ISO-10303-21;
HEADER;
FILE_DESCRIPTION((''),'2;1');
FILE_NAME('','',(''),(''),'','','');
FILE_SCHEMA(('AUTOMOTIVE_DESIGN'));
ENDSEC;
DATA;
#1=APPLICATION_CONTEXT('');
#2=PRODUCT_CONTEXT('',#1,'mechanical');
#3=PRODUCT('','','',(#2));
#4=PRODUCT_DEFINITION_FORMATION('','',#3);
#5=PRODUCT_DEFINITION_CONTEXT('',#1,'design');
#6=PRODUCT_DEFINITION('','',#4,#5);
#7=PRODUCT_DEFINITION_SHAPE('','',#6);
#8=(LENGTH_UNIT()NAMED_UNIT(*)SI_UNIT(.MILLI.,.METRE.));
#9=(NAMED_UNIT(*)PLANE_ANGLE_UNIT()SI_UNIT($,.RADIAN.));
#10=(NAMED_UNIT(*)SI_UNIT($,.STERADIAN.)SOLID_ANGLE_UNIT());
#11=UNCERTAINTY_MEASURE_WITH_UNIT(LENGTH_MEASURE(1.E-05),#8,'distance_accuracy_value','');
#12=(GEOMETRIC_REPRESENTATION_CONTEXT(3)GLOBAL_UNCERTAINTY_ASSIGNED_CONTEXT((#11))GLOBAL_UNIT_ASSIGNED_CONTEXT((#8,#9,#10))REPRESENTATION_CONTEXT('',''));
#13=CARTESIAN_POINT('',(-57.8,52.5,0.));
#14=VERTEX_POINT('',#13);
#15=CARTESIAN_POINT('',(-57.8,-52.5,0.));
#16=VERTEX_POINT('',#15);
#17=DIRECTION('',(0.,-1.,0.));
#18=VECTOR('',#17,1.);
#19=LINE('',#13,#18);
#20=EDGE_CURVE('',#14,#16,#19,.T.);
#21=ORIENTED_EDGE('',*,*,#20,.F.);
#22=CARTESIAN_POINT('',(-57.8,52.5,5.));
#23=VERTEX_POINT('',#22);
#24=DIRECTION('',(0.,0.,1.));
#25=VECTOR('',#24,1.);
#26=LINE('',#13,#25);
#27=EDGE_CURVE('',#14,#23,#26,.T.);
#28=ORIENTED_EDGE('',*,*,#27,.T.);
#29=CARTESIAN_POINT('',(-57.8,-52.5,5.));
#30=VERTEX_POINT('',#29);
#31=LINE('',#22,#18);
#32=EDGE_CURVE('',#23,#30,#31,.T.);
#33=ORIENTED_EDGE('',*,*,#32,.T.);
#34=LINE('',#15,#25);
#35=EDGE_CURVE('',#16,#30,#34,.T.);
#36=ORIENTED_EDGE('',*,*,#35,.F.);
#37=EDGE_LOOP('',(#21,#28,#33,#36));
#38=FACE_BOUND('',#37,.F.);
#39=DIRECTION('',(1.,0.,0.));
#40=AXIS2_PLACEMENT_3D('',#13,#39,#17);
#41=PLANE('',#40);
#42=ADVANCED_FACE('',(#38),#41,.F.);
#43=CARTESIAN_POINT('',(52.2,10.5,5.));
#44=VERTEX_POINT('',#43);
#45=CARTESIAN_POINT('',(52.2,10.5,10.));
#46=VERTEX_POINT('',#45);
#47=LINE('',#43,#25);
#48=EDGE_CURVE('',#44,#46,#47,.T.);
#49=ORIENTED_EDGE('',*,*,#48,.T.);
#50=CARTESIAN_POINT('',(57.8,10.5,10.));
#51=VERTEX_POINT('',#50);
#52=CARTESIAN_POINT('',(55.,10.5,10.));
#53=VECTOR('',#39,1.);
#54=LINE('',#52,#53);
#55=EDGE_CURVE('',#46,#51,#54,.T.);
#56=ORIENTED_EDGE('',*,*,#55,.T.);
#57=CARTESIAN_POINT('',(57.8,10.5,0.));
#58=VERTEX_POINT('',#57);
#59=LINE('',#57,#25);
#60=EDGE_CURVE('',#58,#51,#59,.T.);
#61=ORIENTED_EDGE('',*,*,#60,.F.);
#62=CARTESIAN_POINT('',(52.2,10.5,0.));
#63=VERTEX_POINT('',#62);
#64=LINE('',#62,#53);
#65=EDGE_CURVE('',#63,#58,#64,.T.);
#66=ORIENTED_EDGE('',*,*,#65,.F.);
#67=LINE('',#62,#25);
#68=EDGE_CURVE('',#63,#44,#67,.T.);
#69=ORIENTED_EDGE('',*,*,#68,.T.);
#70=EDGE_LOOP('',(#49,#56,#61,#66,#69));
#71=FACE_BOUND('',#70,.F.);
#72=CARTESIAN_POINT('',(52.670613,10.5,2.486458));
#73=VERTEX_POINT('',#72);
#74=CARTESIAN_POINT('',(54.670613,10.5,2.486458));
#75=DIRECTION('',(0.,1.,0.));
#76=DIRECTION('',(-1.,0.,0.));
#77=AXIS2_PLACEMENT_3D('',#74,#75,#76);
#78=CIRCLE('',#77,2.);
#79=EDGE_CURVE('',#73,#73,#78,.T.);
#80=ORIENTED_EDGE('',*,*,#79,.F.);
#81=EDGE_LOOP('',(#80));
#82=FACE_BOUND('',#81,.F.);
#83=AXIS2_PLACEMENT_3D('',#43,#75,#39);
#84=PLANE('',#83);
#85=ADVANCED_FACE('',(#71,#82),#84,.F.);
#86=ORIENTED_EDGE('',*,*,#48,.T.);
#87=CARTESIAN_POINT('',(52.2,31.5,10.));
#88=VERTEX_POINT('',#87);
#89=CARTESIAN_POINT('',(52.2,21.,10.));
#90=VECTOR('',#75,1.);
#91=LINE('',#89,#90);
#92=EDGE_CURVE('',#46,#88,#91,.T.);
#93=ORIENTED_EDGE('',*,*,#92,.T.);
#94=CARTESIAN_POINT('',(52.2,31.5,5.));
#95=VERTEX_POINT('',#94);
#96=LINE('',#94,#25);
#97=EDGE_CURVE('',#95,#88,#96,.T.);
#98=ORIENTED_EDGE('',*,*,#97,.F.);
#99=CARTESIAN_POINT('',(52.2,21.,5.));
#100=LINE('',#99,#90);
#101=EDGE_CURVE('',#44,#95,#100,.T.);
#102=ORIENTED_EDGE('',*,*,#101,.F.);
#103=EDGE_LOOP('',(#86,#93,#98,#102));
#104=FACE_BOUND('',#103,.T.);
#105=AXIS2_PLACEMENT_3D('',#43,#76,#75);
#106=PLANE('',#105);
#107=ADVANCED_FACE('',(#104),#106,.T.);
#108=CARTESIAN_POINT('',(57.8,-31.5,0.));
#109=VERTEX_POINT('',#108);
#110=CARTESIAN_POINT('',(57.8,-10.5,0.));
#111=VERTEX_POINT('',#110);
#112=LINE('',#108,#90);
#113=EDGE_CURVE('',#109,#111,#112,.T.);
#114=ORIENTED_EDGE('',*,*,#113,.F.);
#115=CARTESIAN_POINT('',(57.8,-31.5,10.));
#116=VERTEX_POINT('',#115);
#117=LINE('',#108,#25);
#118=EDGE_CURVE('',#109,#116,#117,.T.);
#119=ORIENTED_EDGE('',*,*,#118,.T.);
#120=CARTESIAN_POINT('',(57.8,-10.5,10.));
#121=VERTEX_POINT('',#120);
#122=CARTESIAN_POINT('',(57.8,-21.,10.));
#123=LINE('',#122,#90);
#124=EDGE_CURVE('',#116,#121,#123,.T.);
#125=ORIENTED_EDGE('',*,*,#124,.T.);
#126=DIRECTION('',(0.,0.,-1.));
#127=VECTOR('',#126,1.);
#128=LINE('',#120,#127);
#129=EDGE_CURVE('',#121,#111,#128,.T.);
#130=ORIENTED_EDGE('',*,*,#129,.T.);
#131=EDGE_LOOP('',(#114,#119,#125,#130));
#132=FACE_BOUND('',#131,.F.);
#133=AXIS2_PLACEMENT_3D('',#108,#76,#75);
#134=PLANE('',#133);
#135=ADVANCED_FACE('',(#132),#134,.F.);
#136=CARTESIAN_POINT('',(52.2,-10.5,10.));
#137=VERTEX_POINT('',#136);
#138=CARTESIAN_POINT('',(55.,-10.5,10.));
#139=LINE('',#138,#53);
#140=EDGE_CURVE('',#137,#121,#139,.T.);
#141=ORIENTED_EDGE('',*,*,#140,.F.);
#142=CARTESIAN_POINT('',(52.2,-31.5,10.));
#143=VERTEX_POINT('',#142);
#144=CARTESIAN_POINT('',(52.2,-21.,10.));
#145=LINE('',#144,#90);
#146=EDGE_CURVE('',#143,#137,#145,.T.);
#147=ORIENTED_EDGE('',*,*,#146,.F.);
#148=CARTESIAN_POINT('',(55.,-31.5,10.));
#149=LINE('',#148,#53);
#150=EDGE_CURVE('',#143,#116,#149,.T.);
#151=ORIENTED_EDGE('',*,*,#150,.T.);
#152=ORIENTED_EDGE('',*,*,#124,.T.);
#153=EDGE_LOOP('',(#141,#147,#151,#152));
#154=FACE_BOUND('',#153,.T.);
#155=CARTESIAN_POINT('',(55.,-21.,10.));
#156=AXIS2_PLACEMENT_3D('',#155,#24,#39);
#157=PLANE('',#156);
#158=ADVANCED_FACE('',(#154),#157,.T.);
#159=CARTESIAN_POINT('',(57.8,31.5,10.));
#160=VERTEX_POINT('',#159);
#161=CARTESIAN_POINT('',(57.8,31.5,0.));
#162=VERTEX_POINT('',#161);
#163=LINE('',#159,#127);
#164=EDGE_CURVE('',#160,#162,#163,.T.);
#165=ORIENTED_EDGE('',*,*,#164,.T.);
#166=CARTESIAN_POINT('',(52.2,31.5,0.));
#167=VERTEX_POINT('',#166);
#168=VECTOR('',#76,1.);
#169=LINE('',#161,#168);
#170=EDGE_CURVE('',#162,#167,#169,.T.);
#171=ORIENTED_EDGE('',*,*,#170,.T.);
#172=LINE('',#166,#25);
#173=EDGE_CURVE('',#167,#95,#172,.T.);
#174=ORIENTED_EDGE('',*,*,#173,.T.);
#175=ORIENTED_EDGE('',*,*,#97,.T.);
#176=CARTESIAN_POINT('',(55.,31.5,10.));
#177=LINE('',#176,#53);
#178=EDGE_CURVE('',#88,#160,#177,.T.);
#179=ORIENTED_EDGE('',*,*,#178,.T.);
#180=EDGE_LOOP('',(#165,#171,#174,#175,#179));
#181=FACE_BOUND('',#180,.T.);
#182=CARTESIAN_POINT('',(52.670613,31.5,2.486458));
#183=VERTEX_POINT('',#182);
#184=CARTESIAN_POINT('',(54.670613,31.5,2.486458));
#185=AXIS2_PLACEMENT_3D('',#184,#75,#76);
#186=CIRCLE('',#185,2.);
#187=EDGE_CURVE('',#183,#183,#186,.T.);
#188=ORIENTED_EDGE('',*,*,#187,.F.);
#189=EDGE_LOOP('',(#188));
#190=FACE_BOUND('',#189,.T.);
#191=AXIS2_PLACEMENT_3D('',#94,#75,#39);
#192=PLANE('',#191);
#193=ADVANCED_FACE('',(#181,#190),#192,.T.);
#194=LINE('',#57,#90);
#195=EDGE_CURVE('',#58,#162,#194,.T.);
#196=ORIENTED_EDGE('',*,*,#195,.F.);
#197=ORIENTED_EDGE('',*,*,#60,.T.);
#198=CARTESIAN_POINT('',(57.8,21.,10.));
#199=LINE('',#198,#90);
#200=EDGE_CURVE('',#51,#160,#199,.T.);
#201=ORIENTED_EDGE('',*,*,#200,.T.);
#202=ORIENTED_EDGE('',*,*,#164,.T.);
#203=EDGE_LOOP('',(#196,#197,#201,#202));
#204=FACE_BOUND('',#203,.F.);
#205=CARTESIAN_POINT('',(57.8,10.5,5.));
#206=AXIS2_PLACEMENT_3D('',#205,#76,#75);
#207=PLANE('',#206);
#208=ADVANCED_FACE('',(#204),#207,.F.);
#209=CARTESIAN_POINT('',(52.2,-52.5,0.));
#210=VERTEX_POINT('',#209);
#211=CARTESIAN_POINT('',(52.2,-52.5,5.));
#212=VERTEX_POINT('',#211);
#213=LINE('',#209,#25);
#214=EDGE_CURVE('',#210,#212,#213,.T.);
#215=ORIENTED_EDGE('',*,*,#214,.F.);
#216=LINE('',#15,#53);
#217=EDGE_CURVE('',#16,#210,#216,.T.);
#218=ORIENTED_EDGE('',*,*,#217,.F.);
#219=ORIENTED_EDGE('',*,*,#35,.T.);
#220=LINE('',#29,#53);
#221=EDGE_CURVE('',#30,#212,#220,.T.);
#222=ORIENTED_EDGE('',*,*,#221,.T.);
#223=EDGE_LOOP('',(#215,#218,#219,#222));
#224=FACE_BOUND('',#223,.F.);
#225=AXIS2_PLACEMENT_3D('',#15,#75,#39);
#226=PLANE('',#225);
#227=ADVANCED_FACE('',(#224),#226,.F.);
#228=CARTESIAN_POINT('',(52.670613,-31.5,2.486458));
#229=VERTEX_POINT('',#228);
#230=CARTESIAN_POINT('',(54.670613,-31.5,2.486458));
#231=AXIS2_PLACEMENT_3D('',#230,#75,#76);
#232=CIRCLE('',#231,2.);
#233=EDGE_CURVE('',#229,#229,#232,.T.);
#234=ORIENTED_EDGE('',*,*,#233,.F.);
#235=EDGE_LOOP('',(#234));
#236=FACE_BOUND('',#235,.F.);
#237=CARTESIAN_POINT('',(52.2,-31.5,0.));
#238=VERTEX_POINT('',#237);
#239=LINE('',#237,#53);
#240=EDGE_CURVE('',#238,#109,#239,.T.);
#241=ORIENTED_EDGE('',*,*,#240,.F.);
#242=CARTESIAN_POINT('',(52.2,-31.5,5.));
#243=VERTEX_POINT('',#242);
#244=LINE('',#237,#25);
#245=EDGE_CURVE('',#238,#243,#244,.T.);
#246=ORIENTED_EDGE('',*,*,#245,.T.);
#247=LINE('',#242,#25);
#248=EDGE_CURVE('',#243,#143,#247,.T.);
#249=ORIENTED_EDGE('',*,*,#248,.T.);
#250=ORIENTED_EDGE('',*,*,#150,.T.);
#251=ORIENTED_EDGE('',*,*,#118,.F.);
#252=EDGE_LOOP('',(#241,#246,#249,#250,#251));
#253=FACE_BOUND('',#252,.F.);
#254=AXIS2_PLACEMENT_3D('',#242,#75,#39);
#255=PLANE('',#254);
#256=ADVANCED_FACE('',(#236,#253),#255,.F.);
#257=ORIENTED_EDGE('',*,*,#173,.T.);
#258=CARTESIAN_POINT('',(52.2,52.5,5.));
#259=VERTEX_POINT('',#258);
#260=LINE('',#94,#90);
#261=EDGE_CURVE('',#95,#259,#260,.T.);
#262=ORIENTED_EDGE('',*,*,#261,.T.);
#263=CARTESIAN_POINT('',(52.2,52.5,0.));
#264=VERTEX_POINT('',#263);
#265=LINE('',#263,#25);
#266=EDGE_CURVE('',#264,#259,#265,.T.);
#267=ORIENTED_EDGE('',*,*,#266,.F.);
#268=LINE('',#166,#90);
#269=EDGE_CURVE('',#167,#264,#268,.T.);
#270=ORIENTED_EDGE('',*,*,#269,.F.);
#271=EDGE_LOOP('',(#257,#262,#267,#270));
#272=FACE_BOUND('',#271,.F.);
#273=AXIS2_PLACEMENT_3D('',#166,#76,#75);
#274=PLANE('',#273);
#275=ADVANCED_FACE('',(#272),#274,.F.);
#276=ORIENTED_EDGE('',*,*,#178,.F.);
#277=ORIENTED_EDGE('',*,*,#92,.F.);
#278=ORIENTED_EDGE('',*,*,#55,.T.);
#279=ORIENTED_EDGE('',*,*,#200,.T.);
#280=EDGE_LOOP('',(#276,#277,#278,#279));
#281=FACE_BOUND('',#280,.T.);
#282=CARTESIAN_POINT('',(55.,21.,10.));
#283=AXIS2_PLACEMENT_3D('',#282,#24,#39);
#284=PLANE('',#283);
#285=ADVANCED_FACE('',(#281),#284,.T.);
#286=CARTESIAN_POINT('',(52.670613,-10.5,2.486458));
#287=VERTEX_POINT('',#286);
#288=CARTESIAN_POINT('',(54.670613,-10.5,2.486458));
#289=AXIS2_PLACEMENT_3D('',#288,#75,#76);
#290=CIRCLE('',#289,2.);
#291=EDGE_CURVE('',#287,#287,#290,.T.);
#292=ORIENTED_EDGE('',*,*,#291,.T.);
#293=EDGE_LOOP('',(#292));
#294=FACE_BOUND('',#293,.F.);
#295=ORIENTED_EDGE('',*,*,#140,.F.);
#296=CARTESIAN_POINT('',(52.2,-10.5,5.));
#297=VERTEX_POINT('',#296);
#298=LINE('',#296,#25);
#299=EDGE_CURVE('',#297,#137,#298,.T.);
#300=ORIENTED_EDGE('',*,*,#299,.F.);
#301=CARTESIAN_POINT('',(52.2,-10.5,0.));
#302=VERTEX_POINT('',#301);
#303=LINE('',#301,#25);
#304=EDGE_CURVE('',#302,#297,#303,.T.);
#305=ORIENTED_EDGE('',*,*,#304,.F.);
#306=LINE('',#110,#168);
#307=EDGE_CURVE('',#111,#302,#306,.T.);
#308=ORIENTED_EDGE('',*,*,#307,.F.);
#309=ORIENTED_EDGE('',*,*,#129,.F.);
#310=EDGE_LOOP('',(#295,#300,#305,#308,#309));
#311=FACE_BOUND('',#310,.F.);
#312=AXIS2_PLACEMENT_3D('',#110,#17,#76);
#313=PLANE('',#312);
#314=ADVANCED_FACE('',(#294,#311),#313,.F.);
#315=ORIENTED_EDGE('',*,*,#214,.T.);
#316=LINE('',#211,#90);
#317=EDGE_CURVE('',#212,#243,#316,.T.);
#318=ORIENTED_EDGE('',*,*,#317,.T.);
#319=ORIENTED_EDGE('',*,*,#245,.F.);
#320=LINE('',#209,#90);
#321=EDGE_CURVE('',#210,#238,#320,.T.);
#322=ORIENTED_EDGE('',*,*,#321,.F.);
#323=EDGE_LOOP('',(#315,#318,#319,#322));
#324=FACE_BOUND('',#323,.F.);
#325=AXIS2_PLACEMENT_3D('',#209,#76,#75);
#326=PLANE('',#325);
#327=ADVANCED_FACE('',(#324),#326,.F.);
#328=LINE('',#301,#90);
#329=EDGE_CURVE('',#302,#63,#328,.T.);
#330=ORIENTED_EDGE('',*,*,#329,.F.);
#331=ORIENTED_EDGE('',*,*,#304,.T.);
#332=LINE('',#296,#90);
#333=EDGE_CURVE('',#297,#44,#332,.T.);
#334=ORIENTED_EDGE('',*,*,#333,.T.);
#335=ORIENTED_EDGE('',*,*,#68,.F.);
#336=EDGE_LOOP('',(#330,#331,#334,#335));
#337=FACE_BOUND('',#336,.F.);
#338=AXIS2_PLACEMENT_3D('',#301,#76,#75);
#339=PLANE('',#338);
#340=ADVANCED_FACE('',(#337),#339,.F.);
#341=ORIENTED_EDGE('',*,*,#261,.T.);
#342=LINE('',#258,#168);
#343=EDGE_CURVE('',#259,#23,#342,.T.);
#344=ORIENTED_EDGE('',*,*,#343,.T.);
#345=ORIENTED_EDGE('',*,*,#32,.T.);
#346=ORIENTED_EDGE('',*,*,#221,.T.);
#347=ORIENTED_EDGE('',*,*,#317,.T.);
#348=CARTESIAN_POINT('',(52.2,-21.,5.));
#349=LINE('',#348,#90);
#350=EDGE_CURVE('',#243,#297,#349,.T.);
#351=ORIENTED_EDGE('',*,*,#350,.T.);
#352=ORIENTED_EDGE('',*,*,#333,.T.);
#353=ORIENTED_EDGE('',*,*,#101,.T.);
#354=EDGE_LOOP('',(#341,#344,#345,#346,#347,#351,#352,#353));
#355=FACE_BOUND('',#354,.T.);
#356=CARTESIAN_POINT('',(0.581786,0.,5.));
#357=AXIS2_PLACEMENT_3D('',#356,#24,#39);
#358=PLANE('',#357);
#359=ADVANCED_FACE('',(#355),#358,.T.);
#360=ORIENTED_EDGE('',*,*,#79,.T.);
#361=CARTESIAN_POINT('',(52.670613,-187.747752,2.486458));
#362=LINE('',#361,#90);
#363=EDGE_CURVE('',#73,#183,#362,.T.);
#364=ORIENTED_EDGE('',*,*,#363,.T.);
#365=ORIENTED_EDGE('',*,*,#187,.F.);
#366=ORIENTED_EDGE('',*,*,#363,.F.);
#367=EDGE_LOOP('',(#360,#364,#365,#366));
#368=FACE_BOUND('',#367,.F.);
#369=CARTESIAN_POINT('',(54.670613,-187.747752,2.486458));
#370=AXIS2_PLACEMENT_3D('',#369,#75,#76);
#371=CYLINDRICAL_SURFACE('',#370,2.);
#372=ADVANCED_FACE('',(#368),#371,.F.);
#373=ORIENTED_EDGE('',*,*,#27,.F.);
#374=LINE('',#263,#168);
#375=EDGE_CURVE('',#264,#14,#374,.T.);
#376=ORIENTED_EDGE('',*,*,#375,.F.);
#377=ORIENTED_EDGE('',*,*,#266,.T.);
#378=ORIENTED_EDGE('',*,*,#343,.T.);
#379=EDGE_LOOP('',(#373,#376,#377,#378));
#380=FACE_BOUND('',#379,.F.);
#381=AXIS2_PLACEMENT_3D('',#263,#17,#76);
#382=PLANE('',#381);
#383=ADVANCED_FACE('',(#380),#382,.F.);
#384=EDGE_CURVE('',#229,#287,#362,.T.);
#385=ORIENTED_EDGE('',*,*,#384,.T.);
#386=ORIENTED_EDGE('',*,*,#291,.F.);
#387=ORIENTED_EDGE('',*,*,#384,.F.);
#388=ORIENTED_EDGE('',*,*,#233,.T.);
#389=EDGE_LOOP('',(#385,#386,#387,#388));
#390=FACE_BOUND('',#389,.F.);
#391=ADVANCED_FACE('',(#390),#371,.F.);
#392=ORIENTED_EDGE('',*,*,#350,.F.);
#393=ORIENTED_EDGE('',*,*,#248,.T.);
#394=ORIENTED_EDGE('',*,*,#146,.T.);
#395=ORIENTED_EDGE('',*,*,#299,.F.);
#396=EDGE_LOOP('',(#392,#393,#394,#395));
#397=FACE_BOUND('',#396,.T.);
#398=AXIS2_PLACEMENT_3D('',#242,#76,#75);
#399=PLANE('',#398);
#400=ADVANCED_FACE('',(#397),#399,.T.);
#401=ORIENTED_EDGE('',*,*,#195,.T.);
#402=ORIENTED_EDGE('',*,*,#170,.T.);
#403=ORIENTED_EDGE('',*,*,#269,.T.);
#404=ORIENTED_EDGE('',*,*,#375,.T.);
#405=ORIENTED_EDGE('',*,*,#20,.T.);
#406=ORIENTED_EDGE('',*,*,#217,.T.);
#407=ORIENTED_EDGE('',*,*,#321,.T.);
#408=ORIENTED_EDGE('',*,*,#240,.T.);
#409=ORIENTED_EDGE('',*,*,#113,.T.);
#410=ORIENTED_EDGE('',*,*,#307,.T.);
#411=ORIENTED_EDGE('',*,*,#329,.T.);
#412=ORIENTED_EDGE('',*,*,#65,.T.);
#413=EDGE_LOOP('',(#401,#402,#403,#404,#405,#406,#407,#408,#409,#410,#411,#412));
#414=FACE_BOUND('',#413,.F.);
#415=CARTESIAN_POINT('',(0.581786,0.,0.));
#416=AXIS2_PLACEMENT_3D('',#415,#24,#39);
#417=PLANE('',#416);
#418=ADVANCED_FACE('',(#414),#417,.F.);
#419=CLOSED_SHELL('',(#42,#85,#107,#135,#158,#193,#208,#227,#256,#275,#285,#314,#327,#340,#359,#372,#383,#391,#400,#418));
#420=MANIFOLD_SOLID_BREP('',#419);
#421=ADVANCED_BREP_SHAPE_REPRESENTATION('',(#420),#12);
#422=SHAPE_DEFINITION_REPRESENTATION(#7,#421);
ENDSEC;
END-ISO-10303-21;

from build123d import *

# Parameters (mm, degrees)
F1_DEPTH = 5
F3_D     = 4
F4_W     = 5.6
F4_H     = 21
F5_DEPTH = 5


with BuildPart() as f1:
    # F0 (on Top) → F1 (new body)
    with BuildSketch(Plane.XY):
        Polygon((52.2, 31.5), (52.2, 52.5), (-57.8, 52.5), (-57.8, -52.5), (52.2, -52.5), (52.2, -31.5), (57.8, -31.5), (57.8, -10.5), (52.2, -10.5), (52.2, 10.5), (57.8, 10.5), (57.8, 31.5), align=None)
    extrude(amount=F1_DEPTH)

    # F3 (through all)
    with Locations(Plane.XZ.offset(31.5)):
        with Locations((54.670613, 2.486458)):
            Hole(F3_D / 2)

    # F4 (on face) → F5 (join)
    with BuildSketch(Plane.XY.offset(5)):
        with Locations((55, 21)):
            Rectangle(F4_W, F4_H)
        with Locations((55, -21)):
            Rectangle(F4_W, F4_H)
    extrude(amount=F5_DEPTH)


solid = f1.part
